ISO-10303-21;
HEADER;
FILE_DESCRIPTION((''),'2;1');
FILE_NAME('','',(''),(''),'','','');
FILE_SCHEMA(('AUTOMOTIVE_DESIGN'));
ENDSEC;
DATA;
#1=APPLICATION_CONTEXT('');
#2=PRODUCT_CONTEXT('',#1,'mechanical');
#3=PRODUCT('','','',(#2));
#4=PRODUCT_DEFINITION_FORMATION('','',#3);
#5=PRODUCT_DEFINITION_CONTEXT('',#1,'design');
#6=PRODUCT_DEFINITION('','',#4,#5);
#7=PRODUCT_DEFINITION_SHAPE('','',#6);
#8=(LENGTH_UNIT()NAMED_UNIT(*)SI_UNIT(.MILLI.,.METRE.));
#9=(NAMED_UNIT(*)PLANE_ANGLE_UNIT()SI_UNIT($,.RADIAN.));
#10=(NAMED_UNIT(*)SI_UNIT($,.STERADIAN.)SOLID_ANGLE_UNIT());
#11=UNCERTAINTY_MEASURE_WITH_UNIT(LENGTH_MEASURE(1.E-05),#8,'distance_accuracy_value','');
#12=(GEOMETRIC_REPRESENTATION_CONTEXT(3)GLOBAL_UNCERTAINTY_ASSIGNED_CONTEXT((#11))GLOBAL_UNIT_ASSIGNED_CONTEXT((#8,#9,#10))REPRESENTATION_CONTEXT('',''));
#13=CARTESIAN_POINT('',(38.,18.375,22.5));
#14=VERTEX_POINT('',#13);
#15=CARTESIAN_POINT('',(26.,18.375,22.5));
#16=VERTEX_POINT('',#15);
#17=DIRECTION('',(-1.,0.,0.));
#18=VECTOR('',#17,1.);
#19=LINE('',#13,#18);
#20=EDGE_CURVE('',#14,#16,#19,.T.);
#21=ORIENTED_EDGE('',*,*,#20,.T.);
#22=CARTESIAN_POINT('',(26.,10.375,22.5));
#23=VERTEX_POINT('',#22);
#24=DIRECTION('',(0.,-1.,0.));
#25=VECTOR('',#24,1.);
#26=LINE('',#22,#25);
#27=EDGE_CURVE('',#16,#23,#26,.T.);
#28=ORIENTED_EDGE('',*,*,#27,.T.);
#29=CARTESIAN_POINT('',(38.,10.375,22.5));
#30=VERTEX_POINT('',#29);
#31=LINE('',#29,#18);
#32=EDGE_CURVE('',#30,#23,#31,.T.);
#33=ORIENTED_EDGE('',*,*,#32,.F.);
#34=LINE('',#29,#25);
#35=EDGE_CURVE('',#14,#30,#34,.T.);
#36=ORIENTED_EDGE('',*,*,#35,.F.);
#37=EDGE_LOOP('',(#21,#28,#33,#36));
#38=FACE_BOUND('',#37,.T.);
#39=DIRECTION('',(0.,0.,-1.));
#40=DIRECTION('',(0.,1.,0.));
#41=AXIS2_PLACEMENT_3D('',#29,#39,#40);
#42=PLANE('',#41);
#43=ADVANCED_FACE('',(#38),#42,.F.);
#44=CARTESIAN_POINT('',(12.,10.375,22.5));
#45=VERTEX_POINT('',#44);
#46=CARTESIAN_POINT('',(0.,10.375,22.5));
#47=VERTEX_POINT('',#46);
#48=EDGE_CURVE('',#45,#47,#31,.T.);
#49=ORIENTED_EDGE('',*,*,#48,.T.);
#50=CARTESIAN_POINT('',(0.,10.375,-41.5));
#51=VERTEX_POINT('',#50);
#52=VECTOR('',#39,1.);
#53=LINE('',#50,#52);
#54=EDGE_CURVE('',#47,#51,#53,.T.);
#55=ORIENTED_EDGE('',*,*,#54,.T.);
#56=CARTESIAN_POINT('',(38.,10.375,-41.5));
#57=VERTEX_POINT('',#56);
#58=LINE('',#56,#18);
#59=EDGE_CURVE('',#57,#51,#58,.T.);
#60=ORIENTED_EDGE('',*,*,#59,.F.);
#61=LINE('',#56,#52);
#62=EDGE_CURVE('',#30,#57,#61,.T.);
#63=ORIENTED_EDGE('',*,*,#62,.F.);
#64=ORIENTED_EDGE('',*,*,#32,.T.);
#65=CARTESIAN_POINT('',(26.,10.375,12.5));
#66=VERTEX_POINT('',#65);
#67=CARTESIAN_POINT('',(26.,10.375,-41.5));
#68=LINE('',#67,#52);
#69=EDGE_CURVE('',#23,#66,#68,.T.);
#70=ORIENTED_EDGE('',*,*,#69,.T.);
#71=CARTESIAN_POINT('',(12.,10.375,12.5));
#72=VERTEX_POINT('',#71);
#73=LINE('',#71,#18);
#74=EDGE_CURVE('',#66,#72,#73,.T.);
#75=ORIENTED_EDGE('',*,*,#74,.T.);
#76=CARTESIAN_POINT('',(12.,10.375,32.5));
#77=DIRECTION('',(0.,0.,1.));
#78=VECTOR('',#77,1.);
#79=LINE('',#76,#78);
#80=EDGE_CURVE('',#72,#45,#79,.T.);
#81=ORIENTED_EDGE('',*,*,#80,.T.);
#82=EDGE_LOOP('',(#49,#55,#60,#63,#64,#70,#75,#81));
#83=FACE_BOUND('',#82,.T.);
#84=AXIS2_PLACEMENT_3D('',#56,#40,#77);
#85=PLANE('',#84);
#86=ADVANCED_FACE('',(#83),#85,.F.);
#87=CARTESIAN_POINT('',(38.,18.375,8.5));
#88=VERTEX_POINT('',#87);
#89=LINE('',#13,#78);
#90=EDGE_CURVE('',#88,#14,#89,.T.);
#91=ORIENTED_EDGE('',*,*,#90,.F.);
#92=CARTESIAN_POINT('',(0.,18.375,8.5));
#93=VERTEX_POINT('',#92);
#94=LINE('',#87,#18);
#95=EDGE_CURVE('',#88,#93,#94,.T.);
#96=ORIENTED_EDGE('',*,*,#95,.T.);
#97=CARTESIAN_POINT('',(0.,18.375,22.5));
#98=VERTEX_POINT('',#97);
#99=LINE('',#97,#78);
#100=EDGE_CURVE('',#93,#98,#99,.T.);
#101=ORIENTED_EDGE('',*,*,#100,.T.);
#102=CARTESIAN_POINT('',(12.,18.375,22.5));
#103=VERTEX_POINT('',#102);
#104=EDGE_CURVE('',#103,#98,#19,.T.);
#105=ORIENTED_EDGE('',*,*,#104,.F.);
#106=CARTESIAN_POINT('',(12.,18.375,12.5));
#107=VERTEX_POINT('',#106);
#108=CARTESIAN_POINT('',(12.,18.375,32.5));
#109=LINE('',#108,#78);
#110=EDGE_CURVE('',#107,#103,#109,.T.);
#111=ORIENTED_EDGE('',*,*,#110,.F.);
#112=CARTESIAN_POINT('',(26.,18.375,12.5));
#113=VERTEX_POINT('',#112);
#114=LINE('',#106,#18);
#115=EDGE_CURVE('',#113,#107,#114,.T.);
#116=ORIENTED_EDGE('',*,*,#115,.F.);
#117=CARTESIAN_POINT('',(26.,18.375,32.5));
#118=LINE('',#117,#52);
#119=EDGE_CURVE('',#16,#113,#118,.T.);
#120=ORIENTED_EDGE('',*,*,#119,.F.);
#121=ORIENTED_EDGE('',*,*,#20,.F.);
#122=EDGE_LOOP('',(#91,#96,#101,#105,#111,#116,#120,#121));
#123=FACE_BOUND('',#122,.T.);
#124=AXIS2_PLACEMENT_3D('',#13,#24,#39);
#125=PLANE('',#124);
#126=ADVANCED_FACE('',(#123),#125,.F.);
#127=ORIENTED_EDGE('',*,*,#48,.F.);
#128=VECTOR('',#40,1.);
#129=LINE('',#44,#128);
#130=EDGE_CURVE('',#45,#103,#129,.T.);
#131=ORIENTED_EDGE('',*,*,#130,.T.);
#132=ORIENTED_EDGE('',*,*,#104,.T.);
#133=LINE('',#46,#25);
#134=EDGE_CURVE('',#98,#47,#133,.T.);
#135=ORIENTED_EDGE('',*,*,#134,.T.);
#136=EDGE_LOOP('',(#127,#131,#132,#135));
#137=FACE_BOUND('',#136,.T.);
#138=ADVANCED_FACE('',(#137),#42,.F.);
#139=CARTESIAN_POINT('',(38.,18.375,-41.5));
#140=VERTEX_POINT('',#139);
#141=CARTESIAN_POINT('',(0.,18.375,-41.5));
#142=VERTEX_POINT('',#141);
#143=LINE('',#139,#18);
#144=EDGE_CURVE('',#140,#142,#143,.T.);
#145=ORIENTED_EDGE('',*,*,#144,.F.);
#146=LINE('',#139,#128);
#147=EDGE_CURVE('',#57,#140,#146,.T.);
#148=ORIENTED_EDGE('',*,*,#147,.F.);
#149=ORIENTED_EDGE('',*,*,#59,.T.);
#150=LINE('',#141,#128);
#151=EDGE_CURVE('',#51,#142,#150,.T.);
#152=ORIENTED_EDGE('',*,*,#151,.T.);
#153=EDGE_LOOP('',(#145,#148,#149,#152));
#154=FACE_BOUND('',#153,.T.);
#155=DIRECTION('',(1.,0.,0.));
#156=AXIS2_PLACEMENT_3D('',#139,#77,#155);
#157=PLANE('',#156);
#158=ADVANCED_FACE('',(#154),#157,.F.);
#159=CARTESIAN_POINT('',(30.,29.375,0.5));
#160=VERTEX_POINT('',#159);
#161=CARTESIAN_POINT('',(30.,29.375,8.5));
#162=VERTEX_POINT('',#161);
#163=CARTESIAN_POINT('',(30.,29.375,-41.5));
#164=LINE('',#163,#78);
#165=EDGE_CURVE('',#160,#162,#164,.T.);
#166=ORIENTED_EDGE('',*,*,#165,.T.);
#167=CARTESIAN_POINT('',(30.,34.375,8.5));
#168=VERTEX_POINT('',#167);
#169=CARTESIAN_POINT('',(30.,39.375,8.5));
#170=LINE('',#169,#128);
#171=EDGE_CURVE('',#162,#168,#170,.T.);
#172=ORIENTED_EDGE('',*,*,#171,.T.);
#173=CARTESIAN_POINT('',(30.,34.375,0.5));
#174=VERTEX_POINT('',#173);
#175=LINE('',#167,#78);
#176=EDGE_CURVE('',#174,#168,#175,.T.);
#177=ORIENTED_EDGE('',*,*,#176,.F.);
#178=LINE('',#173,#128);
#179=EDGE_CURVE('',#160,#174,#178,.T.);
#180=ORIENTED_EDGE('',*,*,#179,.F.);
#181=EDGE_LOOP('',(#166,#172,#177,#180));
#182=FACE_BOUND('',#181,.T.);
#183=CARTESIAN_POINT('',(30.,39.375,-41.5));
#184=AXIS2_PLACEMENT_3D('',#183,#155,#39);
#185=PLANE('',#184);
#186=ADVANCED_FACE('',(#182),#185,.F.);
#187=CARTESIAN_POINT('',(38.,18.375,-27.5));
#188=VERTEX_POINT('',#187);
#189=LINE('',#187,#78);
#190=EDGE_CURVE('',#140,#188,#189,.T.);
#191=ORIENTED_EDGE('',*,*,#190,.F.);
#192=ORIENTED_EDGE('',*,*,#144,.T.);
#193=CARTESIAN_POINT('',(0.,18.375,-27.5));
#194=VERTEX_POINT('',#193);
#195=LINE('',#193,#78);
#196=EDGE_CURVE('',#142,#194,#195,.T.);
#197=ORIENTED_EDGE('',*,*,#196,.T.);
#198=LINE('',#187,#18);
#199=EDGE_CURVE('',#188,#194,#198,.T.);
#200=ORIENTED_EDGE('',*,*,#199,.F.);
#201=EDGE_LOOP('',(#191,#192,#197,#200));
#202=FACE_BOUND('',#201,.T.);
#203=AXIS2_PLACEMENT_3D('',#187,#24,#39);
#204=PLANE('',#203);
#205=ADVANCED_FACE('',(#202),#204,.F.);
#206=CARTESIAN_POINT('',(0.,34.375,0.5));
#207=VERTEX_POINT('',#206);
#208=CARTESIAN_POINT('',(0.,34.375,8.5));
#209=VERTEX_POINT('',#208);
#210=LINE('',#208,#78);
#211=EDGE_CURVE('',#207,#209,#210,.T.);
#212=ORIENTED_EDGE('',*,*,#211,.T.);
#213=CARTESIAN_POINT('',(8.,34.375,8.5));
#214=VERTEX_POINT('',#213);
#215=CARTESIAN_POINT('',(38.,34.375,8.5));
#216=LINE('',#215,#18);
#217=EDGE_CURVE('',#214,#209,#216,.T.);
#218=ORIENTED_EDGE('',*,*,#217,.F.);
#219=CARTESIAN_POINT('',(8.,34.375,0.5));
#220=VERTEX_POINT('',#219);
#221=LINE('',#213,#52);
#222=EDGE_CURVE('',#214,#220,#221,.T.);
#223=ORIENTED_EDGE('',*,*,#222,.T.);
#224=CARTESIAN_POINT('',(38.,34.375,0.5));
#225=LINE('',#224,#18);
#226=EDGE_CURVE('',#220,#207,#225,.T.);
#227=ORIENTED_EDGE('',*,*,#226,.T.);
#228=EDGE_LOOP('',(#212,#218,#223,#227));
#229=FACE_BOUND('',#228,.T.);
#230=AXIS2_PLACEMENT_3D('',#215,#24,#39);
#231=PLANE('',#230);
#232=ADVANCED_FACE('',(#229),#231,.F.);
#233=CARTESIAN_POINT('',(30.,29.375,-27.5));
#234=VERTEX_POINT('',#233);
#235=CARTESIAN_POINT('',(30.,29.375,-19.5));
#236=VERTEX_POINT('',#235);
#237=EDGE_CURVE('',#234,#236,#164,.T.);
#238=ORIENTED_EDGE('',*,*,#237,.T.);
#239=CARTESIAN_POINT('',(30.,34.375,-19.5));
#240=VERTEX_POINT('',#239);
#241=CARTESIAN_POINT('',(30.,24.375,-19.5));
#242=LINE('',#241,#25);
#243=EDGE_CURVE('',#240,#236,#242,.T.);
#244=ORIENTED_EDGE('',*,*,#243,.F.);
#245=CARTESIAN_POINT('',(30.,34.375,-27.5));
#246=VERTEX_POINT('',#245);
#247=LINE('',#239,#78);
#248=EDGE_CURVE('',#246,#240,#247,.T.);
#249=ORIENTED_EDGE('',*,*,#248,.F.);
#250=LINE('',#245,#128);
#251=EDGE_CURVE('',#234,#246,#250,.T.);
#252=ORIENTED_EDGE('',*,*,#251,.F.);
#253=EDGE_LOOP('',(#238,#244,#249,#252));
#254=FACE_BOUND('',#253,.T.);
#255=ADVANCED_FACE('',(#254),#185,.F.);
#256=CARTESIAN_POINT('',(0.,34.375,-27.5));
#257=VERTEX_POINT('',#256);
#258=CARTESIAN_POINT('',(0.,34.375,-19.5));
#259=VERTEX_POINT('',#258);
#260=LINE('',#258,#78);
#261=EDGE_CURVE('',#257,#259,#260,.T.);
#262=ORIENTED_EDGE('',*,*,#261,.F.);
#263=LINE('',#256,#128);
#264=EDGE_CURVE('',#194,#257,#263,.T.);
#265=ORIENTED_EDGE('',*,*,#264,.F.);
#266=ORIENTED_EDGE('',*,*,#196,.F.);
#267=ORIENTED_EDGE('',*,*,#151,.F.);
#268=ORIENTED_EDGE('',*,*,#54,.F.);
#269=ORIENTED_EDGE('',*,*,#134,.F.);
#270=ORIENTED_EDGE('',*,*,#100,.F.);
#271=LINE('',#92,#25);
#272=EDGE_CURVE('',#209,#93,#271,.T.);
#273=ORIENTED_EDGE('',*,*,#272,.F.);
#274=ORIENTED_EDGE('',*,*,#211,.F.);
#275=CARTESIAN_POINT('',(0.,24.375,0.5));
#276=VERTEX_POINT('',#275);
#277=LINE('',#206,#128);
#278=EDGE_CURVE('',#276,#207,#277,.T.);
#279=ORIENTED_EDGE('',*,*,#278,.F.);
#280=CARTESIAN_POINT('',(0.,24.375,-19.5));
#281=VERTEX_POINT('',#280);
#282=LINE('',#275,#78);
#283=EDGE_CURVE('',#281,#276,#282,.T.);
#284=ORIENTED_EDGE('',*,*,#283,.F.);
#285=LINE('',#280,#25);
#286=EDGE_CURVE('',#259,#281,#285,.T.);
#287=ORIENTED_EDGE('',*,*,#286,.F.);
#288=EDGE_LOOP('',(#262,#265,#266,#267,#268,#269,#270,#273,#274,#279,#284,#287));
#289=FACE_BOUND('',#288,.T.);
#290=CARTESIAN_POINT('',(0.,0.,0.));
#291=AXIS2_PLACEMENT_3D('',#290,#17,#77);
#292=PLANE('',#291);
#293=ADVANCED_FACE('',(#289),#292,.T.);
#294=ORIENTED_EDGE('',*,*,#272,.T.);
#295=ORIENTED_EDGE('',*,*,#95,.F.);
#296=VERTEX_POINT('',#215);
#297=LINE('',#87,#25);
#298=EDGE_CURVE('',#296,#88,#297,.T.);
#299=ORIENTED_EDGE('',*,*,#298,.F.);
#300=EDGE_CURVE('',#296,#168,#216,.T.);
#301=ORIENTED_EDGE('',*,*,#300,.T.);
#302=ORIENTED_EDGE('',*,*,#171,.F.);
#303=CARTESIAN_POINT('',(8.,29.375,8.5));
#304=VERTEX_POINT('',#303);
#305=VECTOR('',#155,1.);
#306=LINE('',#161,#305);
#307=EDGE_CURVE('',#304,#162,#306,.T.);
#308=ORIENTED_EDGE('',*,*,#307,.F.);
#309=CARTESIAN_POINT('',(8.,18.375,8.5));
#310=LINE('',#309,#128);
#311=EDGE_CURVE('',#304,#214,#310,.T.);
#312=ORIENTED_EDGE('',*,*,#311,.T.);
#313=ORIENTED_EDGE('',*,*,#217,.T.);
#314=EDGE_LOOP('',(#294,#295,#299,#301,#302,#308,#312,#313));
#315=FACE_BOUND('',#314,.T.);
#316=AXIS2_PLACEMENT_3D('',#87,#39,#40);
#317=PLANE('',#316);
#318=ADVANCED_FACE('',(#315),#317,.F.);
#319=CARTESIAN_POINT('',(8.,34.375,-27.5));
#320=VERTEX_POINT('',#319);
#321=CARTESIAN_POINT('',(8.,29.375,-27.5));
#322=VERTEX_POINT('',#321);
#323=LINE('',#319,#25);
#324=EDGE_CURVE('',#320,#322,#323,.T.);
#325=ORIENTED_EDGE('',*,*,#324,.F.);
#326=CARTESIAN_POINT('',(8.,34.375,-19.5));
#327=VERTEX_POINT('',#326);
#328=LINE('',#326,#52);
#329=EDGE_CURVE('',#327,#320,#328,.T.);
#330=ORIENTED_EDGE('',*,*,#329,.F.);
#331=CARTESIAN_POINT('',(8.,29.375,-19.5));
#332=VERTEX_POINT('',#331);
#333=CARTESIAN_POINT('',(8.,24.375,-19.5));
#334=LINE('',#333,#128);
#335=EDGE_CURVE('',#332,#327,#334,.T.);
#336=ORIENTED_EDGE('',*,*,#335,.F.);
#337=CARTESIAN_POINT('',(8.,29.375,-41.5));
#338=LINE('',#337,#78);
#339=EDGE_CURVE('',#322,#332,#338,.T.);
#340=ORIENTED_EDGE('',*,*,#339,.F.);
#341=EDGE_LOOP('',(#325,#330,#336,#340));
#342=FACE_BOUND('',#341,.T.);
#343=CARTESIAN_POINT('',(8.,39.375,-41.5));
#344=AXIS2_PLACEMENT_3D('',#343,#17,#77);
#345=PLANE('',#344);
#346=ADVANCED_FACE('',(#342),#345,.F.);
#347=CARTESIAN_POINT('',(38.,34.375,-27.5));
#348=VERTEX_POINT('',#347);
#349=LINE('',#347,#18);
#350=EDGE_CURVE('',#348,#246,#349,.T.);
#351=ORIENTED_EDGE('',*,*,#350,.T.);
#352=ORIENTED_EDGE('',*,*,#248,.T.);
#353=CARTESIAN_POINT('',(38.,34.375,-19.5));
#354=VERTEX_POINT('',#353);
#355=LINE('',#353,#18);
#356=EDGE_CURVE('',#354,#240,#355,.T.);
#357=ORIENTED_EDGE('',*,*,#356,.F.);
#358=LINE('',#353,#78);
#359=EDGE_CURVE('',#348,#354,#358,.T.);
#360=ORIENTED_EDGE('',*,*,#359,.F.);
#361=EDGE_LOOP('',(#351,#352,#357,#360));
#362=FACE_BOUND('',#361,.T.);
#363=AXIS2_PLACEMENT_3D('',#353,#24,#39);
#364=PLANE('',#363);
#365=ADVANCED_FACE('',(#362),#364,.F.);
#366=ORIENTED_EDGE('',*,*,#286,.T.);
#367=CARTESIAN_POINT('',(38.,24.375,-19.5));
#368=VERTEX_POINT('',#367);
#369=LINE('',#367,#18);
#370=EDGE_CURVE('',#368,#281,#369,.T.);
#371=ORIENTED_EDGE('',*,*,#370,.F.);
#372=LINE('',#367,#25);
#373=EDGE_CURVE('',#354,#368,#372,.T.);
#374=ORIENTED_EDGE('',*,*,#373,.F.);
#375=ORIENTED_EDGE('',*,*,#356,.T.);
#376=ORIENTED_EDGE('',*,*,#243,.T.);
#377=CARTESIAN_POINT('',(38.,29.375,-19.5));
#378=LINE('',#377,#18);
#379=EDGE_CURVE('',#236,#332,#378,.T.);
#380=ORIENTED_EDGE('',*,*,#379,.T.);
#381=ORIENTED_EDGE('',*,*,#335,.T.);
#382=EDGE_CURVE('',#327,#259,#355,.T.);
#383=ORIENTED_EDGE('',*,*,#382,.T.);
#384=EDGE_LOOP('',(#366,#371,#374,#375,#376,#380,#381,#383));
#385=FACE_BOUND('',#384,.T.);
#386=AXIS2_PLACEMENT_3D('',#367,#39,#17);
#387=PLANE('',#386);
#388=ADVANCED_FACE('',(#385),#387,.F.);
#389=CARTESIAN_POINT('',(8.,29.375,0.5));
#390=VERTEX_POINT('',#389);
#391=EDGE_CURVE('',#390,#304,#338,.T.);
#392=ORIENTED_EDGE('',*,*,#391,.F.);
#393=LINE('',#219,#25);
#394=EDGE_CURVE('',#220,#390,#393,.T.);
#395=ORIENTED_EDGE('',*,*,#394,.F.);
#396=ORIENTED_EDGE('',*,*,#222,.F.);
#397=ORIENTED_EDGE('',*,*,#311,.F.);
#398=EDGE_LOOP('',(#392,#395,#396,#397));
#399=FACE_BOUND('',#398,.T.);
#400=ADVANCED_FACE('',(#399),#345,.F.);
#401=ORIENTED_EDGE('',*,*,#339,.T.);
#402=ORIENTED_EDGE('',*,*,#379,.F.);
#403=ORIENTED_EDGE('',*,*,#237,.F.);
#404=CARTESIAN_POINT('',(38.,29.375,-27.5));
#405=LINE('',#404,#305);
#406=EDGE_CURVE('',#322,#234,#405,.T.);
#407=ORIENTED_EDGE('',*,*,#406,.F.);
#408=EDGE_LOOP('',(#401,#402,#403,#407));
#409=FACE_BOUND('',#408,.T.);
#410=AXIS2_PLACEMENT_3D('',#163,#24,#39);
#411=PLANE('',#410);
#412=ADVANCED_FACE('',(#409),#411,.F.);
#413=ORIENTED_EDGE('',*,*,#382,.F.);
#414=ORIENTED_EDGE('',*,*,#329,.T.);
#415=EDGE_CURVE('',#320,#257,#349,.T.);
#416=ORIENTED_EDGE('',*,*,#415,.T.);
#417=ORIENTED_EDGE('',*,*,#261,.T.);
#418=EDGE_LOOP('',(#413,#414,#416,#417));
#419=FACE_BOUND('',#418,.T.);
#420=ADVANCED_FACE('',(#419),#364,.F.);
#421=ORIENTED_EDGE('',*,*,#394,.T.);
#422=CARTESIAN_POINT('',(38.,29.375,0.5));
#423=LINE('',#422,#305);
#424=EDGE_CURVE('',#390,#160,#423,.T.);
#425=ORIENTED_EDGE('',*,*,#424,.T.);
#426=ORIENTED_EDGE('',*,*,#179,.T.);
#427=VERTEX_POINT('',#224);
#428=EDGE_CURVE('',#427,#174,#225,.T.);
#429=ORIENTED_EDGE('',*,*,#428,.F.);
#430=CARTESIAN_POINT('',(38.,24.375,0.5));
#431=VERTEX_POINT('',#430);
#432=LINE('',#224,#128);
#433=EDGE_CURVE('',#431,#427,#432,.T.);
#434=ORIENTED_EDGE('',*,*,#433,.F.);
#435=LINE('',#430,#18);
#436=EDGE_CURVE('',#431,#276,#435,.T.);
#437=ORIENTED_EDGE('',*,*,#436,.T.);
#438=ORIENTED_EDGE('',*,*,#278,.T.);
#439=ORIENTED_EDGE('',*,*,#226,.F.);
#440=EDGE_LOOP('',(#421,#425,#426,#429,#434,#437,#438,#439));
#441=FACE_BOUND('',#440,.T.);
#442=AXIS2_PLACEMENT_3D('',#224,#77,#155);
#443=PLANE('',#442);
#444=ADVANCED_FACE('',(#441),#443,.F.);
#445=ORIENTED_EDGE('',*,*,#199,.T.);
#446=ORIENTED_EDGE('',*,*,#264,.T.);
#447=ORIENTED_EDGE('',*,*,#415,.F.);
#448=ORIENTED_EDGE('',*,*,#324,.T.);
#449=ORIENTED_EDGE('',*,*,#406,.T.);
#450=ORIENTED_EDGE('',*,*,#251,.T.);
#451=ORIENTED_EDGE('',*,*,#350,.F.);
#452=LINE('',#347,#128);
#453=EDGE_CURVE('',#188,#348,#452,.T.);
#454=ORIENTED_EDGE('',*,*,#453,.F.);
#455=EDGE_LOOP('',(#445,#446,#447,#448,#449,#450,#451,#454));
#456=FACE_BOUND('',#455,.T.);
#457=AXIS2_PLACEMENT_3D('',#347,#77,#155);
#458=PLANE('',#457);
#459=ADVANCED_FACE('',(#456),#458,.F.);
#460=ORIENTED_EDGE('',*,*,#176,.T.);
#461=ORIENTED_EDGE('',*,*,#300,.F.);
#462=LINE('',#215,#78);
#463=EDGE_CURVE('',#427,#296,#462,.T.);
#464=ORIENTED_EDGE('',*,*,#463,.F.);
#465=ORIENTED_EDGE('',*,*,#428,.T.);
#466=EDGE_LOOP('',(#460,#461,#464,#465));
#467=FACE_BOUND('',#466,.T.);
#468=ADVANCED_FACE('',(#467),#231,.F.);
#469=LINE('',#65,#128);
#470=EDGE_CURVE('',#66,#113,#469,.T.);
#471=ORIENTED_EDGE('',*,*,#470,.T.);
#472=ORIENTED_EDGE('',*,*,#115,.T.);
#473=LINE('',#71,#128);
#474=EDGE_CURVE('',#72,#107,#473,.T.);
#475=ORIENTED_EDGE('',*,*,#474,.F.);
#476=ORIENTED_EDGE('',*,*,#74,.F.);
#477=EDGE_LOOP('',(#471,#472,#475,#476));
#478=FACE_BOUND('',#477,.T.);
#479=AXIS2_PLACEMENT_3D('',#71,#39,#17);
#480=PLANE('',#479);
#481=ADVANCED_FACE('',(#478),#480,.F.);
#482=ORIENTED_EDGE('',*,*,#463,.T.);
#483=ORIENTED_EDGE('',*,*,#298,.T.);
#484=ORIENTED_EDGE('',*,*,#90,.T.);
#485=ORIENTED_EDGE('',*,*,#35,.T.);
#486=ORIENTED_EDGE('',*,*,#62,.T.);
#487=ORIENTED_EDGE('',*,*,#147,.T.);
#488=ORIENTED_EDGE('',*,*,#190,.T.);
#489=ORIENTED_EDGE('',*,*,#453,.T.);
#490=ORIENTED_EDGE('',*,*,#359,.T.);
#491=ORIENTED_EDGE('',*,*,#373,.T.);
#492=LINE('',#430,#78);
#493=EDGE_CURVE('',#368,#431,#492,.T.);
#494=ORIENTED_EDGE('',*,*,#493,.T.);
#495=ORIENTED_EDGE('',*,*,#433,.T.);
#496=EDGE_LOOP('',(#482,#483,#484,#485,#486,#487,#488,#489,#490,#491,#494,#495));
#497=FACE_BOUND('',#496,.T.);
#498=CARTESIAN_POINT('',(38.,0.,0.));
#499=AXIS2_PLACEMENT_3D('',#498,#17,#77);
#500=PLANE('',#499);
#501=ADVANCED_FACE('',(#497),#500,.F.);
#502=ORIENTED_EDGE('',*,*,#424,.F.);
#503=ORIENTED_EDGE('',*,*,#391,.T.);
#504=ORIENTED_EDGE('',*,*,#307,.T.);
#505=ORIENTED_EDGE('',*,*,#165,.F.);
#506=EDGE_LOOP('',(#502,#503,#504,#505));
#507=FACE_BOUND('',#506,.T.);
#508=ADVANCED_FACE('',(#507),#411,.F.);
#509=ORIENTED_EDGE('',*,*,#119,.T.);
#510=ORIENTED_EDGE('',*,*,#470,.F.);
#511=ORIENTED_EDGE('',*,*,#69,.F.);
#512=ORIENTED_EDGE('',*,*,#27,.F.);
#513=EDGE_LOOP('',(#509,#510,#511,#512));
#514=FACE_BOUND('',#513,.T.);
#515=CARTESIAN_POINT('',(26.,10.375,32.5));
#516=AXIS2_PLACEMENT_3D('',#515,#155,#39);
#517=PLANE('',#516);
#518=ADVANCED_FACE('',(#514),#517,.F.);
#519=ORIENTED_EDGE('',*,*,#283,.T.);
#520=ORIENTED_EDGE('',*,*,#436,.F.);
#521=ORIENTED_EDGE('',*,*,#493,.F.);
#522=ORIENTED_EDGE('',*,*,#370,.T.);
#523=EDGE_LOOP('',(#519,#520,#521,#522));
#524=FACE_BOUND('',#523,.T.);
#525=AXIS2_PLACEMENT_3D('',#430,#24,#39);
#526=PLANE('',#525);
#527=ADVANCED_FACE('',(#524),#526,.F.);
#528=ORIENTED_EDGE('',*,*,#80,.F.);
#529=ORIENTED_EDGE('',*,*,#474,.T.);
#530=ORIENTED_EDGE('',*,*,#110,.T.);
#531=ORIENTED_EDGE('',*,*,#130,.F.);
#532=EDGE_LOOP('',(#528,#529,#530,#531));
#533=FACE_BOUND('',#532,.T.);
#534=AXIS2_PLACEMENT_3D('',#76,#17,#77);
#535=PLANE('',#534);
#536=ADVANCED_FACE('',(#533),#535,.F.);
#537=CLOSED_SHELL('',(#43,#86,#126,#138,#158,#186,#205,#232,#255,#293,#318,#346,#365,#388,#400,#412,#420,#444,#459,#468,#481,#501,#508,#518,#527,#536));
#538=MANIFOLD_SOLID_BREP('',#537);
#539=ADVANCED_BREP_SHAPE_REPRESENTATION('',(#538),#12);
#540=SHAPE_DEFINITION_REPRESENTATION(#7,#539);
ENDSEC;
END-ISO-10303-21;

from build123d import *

# Parameters (mm, degrees)
BOSS_EXTRUDE1_DEPTH = 38
SKETCH2_W           = 22
SKETCH2_H           = 10
CUT_EXTRUDE1_DEPTH  = 72.593579496
SKETCH3_W           = 14
SKETCH3_H           = 20
CUT_EXTRUDE2_DEPTH  = 59.5


with BuildPart() as part:
    # Sketch1 → Boss-Extrude1 (new body)
    with BuildSketch(Plane(origin=(0, 0, 0), x_dir=(0, 0, -1), z_dir=(1, 0, 0))):
        Polygon((41.5, 10.375), (-22.5, 10.375), (-22.5, 18.375), (-8.5, 18.375), (-8.5, 34.375), (-0.5, 34.375), (-0.5, 24.375), (19.5, 24.375), (19.5, 34.375), (27.5, 34.375), (27.5, 18.375), (41.5, 18.375), align=None)
    extrude(amount=BOSS_EXTRUDE1_DEPTH)

    # Sketch2 → Cut-Extrude1 (cut, through all)
    with BuildSketch(Plane.XY.offset(8.5)):
        with Locations((19, 34.375)):
            Rectangle(SKETCH2_W, SKETCH2_H)
    extrude(amount=-CUT_EXTRUDE1_DEPTH, mode=Mode.SUBTRACT)

    # Sketch3 → Cut-Extrude2 (cut, through all)
    with BuildSketch(Plane(origin=(0, 18.375, 0), x_dir=(1, 0, 0), z_dir=(0, 1, 0))):
        with Locations((19, -22.5)):
            Rectangle(SKETCH3_W, SKETCH3_H)
    extrude(amount=-CUT_EXTRUDE2_DEPTH, mode=Mode.SUBTRACT)


solid = part.part
